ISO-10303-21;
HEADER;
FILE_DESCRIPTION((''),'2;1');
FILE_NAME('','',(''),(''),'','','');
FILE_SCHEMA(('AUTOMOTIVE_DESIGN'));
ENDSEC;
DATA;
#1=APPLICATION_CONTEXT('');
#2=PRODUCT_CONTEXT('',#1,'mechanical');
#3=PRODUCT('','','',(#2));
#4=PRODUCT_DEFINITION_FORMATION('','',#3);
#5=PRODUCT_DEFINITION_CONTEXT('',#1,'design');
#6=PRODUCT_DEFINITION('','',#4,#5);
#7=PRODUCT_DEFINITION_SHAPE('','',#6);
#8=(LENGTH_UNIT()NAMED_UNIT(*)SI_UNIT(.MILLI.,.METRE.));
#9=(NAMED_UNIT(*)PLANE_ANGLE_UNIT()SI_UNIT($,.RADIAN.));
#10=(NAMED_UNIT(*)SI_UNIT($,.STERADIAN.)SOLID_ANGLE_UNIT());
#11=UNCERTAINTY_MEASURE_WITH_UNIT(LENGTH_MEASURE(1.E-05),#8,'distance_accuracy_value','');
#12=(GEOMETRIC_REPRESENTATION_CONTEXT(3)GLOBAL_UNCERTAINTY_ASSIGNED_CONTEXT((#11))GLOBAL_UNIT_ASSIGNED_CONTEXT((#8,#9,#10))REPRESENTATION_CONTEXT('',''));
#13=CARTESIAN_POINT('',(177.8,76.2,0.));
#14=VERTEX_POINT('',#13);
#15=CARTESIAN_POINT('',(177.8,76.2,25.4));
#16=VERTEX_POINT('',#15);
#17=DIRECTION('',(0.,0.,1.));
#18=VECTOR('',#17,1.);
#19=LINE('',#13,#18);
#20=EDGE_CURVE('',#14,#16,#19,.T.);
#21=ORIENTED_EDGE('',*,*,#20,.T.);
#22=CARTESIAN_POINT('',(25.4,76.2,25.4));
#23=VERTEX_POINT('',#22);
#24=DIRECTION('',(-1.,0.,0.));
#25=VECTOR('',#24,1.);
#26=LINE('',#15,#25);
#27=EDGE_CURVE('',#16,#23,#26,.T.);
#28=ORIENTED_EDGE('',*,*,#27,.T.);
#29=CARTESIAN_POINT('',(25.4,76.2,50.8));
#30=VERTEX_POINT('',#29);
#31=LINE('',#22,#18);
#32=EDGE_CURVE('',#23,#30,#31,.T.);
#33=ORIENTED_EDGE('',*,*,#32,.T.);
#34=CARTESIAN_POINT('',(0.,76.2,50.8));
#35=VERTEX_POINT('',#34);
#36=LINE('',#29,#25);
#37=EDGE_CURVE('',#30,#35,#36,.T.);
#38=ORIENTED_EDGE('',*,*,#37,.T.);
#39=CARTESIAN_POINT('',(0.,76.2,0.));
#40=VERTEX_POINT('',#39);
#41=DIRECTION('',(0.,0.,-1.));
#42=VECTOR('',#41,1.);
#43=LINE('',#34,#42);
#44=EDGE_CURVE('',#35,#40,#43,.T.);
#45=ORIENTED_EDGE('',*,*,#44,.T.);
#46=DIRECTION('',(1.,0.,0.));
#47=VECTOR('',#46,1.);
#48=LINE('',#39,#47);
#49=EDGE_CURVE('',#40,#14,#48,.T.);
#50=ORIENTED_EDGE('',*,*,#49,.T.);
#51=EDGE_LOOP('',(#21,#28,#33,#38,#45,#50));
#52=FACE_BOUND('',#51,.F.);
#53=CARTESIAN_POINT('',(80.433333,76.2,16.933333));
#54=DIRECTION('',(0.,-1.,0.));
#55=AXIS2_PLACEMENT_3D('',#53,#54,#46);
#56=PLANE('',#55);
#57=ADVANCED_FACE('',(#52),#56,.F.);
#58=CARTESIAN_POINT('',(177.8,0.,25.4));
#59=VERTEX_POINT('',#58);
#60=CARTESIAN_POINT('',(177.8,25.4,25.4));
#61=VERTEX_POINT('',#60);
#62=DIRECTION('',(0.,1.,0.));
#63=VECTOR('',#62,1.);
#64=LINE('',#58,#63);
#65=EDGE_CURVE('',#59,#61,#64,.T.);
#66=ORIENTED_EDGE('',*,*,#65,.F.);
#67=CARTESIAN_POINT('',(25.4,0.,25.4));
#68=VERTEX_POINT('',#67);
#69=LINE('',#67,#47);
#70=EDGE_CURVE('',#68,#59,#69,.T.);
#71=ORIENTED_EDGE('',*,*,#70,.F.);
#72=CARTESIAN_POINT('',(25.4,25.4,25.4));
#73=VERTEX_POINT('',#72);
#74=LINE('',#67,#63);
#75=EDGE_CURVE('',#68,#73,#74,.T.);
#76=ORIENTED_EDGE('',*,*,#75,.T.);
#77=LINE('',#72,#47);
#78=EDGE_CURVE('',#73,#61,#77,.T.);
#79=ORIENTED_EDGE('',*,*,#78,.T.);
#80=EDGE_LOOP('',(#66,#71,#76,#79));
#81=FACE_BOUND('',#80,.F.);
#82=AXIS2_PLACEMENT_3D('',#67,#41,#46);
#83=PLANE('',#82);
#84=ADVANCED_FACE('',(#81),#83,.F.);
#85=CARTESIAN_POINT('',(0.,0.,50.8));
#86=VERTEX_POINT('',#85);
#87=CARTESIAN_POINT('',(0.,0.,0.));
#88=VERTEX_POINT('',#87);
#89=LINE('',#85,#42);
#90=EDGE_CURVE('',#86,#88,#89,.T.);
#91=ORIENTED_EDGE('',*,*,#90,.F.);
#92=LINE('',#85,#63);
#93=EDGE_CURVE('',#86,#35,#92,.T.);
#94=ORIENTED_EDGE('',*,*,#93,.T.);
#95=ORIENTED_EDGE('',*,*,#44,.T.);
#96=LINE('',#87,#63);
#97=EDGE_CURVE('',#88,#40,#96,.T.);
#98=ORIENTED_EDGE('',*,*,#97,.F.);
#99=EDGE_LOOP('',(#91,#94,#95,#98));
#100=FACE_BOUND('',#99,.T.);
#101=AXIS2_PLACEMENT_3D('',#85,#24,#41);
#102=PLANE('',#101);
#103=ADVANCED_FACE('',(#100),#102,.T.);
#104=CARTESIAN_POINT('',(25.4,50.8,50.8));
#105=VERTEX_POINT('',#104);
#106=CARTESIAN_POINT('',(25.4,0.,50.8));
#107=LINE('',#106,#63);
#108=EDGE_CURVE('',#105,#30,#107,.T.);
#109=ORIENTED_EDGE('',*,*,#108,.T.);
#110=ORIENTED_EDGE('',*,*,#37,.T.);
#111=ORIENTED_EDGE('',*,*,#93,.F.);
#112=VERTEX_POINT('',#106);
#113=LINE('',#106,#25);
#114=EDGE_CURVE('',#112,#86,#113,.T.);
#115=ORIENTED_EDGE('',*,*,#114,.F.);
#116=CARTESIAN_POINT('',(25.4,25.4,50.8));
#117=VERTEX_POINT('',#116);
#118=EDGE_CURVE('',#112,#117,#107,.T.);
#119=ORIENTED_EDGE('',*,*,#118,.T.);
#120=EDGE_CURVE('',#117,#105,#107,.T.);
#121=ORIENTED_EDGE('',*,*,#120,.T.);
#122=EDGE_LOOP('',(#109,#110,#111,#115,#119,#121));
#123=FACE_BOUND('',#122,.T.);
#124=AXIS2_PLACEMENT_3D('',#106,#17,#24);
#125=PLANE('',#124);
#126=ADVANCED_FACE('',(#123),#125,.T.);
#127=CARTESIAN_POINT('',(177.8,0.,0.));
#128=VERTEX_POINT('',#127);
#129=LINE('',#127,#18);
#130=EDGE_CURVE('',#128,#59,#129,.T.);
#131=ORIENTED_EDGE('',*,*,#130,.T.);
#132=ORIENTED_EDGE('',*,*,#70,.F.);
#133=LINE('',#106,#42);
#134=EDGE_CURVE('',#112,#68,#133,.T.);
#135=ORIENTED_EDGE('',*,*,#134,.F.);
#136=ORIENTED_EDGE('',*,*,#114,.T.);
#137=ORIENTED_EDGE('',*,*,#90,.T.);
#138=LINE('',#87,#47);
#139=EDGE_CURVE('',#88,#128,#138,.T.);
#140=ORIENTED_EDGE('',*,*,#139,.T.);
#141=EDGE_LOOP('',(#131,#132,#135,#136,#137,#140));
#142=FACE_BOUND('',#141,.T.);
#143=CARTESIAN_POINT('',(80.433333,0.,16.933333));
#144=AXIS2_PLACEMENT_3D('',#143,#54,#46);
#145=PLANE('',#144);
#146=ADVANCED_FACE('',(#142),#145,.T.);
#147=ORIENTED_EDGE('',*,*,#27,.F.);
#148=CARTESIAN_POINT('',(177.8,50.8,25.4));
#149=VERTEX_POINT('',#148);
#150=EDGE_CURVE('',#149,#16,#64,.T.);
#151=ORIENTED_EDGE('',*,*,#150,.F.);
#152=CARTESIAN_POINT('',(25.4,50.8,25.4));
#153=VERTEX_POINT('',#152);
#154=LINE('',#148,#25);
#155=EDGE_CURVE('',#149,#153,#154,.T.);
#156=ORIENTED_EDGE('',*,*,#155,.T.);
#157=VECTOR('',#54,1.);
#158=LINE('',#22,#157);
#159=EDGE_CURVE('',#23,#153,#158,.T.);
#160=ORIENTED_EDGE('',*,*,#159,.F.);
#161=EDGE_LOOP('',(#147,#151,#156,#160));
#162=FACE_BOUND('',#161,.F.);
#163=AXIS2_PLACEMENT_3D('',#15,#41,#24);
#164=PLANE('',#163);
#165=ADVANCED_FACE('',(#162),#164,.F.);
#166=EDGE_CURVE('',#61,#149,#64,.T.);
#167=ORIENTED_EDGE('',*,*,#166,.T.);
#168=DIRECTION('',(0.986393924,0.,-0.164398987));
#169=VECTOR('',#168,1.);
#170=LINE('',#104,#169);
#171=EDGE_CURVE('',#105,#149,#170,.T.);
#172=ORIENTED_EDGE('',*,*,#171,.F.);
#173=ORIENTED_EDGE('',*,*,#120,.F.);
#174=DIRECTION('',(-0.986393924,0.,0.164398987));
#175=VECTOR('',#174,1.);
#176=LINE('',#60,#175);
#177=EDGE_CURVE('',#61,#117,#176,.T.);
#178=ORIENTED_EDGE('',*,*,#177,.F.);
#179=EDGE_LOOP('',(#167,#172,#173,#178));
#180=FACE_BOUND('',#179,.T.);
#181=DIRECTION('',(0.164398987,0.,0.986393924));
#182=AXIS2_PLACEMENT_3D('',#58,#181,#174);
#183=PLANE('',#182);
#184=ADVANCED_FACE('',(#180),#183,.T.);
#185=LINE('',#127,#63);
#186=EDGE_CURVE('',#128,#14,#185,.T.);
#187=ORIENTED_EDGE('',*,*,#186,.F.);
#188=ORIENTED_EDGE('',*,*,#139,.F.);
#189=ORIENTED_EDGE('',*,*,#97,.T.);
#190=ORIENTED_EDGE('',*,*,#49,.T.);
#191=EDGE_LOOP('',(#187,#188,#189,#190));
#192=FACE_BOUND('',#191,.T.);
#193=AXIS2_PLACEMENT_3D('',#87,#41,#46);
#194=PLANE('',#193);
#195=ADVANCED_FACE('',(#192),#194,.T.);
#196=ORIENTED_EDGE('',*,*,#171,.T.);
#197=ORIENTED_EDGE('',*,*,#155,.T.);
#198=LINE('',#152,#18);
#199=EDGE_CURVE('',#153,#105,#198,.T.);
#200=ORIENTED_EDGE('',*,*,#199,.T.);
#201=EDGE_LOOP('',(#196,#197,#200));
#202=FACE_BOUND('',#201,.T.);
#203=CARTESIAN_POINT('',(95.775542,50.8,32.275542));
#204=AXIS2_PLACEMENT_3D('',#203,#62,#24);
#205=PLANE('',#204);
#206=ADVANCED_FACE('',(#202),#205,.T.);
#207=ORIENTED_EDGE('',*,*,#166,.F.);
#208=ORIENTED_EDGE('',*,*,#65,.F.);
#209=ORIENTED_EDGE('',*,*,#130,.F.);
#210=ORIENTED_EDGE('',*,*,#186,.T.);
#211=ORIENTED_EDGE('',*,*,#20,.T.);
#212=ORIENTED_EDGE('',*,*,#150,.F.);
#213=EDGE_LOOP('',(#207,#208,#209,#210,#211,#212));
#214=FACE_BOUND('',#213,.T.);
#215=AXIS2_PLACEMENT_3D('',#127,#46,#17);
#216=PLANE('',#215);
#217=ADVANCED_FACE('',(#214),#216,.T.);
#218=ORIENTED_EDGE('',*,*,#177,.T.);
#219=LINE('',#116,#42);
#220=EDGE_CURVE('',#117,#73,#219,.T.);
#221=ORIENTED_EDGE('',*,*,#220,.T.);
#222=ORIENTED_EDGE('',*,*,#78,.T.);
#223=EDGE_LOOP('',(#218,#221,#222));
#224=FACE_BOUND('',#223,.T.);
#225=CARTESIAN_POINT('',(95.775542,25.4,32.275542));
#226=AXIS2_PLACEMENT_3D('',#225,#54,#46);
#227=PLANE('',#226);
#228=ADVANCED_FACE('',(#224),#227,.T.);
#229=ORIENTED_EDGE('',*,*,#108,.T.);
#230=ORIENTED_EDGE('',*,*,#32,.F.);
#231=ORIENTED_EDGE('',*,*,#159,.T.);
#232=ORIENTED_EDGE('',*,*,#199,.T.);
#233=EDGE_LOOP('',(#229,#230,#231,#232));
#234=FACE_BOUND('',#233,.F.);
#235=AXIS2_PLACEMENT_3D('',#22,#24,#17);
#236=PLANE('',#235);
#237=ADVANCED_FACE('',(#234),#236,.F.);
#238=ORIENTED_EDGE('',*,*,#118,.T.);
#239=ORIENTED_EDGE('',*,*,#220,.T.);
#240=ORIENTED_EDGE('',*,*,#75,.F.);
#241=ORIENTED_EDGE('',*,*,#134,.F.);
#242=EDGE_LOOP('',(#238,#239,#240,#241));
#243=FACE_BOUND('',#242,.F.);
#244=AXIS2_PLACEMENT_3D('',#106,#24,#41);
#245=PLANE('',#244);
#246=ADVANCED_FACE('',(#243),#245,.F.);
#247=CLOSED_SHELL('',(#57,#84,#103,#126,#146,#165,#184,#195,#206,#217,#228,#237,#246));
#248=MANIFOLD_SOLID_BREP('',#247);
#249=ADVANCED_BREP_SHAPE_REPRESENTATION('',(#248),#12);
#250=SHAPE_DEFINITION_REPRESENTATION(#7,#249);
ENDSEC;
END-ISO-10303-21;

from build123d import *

# Parameters (mm, degrees)
F1_DEPTH = 76.2
F3_DEPTH = 25.4
F5_DEPTH = 25.4


with BuildPart() as f1:
    # F0 (on Front) → F1 (new body)
    with BuildSketch(Plane.XZ):
        Polygon((0, 50.8), (0, 0), (177.8, 0), (177.8, 25.4), (25.4, 25.4), (25.4, 50.8), align=None)
        Polygon((177.8, 25.4), (25.4, 50.8), (25.4, 25.4), align=None)
    extrude(amount=-F1_DEPTH)

    # F2 (on face) → F3 (cut)
    with BuildSketch(Plane.XZ):
        Polygon((177.8, 25.4), (25.4, 50.8), (25.4, 25.4), align=None)
    extrude(amount=-F3_DEPTH, mode=Mode.SUBTRACT)

    # F4 (on face) → F5 (cut)
    with BuildSketch(Plane(origin=(0, 76.2, 0), x_dir=(-1, 0, 0), z_dir=(0, 1, 0))):
        Polygon((-25.4, 25.4), (-25.4, 50.8), (-177.8, 25.4), align=None)
    extrude(amount=-F5_DEPTH, mode=Mode.SUBTRACT)


solid = f1.part
